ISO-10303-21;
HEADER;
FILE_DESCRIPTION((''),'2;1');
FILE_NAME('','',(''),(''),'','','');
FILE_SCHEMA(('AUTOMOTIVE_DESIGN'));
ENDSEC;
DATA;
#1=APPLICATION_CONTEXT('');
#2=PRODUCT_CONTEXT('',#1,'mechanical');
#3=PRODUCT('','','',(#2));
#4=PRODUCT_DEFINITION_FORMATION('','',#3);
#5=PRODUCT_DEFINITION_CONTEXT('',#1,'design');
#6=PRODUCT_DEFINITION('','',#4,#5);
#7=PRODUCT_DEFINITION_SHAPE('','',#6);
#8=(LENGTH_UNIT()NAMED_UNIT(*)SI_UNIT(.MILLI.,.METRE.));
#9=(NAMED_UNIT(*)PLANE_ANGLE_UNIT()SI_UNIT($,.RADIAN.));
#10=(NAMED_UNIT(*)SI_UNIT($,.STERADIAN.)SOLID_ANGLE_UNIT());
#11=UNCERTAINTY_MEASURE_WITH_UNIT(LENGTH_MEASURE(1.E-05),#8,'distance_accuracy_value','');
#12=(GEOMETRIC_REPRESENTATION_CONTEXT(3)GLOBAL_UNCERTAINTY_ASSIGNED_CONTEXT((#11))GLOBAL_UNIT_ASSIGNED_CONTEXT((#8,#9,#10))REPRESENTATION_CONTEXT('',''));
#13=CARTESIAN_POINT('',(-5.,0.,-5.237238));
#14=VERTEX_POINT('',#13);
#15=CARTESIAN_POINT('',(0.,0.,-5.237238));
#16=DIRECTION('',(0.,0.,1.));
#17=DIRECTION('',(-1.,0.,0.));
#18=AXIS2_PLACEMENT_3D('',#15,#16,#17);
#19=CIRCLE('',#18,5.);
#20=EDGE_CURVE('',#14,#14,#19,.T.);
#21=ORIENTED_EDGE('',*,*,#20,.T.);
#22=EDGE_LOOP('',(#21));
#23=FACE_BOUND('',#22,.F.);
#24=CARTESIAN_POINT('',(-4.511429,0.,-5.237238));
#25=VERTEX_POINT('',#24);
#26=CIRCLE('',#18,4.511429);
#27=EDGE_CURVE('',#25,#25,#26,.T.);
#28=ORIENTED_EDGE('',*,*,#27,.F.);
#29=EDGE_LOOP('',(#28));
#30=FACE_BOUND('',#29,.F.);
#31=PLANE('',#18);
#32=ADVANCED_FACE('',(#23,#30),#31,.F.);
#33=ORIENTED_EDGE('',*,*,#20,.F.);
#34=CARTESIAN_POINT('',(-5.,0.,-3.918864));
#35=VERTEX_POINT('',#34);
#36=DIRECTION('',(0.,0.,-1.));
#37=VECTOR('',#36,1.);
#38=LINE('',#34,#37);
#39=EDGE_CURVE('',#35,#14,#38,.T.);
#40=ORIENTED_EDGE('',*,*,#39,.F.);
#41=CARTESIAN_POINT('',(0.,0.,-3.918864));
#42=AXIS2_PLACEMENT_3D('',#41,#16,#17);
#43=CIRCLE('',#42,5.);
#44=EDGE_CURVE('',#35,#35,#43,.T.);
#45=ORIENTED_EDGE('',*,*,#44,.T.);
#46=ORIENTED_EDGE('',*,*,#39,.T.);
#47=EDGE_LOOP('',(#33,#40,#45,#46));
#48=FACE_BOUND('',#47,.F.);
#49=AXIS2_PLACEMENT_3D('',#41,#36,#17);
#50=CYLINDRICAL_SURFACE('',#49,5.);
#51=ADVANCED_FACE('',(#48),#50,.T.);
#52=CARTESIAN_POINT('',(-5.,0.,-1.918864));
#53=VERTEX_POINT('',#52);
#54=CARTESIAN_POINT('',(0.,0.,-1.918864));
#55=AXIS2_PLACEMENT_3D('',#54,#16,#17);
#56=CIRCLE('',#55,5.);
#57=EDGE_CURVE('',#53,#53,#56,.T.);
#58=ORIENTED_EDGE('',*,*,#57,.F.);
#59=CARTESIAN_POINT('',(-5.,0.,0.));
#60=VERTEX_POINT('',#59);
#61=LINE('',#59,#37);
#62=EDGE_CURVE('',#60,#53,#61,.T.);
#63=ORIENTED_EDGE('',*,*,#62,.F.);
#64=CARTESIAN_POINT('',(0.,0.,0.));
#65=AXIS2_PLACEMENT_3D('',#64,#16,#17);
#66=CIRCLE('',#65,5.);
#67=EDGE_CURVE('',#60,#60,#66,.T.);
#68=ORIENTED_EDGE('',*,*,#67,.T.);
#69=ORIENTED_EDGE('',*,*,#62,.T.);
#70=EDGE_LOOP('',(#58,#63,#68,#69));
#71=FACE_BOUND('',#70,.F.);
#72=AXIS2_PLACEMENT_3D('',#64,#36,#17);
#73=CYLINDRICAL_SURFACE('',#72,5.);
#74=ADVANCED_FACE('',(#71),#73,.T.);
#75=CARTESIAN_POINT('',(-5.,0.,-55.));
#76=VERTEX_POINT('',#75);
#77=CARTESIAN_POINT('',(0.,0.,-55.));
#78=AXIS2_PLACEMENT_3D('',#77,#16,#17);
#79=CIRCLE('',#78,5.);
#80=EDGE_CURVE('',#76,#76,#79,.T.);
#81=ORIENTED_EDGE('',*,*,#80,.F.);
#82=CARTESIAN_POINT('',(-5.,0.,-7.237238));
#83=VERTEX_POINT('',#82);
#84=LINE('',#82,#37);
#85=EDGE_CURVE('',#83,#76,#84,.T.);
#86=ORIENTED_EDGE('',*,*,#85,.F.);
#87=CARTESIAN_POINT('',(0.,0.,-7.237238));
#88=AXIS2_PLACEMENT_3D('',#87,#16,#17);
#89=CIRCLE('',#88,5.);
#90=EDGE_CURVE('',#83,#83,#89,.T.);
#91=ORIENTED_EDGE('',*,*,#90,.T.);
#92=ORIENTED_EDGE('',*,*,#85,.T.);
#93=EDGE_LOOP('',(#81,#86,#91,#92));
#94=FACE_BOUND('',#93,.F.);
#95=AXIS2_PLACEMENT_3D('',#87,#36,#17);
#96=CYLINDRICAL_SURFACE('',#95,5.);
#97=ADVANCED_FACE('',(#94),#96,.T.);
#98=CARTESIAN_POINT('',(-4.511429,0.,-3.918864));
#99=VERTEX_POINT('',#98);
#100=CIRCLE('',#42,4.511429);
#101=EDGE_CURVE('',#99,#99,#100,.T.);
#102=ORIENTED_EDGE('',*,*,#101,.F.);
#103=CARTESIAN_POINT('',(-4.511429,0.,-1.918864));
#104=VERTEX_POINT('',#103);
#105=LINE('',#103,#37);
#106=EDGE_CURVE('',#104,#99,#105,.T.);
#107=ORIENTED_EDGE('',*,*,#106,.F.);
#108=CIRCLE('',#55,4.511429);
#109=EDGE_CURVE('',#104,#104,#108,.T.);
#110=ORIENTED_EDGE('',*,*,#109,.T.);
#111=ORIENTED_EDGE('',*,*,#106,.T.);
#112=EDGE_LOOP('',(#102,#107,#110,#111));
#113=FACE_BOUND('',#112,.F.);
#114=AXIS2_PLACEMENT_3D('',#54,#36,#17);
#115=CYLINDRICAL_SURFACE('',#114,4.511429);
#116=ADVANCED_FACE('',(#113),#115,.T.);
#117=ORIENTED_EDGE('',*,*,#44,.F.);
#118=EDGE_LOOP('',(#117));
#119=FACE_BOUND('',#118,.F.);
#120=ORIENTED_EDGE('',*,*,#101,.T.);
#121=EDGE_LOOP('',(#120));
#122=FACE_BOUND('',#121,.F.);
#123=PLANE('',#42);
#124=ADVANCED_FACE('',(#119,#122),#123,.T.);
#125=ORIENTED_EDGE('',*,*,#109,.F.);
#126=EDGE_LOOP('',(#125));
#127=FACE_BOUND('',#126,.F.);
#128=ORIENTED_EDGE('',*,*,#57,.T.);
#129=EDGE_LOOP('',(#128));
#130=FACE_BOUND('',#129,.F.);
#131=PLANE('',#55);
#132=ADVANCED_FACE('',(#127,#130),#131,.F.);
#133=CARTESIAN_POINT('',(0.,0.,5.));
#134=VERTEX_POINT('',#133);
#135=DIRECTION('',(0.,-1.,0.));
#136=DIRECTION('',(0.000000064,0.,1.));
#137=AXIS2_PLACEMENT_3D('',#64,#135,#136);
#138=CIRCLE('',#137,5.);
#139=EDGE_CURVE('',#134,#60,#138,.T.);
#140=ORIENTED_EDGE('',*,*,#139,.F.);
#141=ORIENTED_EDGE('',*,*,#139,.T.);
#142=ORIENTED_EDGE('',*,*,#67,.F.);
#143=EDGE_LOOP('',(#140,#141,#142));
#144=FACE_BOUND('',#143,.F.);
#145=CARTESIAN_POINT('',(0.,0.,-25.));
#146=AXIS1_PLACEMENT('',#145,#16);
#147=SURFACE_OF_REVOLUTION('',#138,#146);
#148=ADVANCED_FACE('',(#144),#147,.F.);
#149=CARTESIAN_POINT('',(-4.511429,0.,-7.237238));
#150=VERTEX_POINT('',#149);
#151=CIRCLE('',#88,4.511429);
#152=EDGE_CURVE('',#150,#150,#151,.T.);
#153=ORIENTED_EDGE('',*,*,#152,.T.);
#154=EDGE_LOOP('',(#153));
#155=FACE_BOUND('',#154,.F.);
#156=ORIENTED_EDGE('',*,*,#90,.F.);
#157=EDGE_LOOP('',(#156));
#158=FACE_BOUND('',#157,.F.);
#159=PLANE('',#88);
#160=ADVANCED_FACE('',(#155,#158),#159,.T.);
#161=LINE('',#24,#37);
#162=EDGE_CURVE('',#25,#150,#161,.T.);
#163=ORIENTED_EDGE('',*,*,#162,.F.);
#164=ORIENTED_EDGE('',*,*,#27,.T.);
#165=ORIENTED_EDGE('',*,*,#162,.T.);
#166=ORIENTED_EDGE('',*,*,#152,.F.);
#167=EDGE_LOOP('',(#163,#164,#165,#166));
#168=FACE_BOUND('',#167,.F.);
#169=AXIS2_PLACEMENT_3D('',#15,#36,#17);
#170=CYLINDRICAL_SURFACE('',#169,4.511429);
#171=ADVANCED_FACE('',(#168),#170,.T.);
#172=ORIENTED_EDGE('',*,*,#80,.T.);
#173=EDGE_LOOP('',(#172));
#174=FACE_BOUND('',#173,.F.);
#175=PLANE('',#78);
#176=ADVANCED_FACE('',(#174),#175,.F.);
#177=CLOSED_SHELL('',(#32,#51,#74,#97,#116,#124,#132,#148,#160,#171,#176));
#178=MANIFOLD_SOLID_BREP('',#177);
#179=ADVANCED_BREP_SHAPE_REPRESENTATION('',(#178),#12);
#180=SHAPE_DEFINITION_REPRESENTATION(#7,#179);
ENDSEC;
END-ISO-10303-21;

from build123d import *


with BuildPart() as f1:
    # F0 (on Front) → F1 (revolve)
    with BuildSketch(Plane.XZ):
        with BuildLine():
            Line((0, -55), (0, 5))
            ThreePointArc((0, 5), (-3.535534, 3.535534), (-5, 0))
            Line((-5, 0), (-5, -1.918864))
            Line((-5, -1.918864), (-4.511429, -1.918864))
            Line((-4.511429, -1.918864), (-4.511429, -3.918864))
            Line((-4.511429, -3.918864), (-5, -3.918864))
            Line((-5, -3.918864), (-5, -5.237238))
            Line((-5, -5.237238), (-4.511429, -5.237238))
            Line((-4.511429, -5.237238), (-4.511429, -7.237238))
            Line((-4.511429, -7.237238), (-5, -7.237238))
            Line((-5, -7.237238), (-5, -55))
            Line((-5, -55), (0, -55))
        make_face()
    revolve(axis=Axis((0, 0, -25), (0, 0, 1)))


solid = f1.part
